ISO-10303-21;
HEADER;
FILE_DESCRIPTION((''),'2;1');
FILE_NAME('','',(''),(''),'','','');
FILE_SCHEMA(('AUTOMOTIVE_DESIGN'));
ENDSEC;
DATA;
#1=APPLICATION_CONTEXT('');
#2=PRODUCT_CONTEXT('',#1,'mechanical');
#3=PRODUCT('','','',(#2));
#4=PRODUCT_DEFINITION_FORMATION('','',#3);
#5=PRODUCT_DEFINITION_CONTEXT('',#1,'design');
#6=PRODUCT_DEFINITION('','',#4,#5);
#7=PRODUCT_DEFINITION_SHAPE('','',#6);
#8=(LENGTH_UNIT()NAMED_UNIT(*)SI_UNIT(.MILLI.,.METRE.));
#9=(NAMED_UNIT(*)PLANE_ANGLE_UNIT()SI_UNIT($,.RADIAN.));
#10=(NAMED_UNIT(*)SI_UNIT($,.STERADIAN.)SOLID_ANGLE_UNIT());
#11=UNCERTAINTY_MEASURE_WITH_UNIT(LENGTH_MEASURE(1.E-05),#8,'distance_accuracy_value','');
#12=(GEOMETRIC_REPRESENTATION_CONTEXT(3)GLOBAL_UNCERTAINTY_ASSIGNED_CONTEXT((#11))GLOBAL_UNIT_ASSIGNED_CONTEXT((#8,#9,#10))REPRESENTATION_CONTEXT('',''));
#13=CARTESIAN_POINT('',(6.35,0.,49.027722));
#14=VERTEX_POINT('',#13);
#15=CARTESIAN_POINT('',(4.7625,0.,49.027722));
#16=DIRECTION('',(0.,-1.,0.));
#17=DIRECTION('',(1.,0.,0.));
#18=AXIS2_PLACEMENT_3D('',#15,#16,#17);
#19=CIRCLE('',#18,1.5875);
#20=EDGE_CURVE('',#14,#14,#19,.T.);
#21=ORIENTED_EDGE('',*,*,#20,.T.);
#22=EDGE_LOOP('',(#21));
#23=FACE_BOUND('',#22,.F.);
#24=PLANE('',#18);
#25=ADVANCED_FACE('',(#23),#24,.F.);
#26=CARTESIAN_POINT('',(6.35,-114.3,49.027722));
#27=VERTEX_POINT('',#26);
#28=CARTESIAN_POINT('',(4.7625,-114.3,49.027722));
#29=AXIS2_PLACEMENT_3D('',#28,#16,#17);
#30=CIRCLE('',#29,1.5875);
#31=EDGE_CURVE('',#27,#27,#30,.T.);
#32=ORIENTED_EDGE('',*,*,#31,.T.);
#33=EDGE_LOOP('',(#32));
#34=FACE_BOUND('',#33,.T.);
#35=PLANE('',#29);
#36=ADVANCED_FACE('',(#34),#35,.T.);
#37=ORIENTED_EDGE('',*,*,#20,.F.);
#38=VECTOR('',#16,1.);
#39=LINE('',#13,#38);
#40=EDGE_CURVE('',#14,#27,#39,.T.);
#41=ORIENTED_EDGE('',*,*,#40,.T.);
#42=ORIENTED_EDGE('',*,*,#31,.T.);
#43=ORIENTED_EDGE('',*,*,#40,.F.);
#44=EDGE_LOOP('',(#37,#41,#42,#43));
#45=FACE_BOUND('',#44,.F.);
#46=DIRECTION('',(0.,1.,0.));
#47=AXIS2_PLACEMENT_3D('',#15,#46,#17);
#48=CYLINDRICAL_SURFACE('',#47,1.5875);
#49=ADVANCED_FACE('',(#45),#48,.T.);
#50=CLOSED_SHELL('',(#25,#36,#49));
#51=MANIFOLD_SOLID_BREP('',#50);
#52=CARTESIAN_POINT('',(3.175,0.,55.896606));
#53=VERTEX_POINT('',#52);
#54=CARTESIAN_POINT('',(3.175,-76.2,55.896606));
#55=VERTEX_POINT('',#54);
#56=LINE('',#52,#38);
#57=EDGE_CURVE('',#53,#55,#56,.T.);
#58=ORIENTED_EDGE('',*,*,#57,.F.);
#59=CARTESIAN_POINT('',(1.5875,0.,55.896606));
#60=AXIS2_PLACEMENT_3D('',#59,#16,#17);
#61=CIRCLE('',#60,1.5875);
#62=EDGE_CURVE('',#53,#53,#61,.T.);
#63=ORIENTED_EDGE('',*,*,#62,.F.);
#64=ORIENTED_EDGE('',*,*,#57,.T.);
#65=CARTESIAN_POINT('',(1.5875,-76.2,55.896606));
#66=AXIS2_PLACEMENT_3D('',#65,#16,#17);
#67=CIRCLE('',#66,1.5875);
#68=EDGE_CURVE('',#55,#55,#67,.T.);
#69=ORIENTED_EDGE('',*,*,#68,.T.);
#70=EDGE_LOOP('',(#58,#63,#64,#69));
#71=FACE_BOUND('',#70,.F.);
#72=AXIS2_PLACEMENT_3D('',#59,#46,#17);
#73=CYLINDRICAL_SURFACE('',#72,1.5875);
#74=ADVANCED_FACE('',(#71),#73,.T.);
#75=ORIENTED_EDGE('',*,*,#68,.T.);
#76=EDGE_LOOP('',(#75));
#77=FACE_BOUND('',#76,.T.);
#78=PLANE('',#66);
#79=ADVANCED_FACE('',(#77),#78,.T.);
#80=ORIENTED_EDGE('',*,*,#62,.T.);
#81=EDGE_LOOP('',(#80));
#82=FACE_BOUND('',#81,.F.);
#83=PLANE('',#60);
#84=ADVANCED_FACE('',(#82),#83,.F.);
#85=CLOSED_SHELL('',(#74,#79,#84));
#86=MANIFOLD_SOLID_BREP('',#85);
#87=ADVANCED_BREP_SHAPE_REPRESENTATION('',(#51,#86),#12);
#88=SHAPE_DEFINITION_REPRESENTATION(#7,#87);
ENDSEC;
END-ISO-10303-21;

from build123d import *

# Parameters (mm, degrees)
F0_R     = 1.5875
F1_DEPTH = 76.2
F2_R     = 1.5875
F3_DEPTH = 114.3


with BuildPart() as f1:
    # F0 (on Front) → F1 (new body)
    with BuildSketch(Plane.XZ):
        with Locations((1.5875, 55.896606)):
            Circle(F0_R)
    extrude(amount=F1_DEPTH)


with BuildPart() as f3:
    # F2 (on Front) → F3 (new body)
    with BuildSketch(Plane.XZ):
        with Locations((4.7625, 49.027722)):
            Circle(F2_R)
    extrude(amount=F3_DEPTH)


solid = Compound([f1.part, f3.part])
